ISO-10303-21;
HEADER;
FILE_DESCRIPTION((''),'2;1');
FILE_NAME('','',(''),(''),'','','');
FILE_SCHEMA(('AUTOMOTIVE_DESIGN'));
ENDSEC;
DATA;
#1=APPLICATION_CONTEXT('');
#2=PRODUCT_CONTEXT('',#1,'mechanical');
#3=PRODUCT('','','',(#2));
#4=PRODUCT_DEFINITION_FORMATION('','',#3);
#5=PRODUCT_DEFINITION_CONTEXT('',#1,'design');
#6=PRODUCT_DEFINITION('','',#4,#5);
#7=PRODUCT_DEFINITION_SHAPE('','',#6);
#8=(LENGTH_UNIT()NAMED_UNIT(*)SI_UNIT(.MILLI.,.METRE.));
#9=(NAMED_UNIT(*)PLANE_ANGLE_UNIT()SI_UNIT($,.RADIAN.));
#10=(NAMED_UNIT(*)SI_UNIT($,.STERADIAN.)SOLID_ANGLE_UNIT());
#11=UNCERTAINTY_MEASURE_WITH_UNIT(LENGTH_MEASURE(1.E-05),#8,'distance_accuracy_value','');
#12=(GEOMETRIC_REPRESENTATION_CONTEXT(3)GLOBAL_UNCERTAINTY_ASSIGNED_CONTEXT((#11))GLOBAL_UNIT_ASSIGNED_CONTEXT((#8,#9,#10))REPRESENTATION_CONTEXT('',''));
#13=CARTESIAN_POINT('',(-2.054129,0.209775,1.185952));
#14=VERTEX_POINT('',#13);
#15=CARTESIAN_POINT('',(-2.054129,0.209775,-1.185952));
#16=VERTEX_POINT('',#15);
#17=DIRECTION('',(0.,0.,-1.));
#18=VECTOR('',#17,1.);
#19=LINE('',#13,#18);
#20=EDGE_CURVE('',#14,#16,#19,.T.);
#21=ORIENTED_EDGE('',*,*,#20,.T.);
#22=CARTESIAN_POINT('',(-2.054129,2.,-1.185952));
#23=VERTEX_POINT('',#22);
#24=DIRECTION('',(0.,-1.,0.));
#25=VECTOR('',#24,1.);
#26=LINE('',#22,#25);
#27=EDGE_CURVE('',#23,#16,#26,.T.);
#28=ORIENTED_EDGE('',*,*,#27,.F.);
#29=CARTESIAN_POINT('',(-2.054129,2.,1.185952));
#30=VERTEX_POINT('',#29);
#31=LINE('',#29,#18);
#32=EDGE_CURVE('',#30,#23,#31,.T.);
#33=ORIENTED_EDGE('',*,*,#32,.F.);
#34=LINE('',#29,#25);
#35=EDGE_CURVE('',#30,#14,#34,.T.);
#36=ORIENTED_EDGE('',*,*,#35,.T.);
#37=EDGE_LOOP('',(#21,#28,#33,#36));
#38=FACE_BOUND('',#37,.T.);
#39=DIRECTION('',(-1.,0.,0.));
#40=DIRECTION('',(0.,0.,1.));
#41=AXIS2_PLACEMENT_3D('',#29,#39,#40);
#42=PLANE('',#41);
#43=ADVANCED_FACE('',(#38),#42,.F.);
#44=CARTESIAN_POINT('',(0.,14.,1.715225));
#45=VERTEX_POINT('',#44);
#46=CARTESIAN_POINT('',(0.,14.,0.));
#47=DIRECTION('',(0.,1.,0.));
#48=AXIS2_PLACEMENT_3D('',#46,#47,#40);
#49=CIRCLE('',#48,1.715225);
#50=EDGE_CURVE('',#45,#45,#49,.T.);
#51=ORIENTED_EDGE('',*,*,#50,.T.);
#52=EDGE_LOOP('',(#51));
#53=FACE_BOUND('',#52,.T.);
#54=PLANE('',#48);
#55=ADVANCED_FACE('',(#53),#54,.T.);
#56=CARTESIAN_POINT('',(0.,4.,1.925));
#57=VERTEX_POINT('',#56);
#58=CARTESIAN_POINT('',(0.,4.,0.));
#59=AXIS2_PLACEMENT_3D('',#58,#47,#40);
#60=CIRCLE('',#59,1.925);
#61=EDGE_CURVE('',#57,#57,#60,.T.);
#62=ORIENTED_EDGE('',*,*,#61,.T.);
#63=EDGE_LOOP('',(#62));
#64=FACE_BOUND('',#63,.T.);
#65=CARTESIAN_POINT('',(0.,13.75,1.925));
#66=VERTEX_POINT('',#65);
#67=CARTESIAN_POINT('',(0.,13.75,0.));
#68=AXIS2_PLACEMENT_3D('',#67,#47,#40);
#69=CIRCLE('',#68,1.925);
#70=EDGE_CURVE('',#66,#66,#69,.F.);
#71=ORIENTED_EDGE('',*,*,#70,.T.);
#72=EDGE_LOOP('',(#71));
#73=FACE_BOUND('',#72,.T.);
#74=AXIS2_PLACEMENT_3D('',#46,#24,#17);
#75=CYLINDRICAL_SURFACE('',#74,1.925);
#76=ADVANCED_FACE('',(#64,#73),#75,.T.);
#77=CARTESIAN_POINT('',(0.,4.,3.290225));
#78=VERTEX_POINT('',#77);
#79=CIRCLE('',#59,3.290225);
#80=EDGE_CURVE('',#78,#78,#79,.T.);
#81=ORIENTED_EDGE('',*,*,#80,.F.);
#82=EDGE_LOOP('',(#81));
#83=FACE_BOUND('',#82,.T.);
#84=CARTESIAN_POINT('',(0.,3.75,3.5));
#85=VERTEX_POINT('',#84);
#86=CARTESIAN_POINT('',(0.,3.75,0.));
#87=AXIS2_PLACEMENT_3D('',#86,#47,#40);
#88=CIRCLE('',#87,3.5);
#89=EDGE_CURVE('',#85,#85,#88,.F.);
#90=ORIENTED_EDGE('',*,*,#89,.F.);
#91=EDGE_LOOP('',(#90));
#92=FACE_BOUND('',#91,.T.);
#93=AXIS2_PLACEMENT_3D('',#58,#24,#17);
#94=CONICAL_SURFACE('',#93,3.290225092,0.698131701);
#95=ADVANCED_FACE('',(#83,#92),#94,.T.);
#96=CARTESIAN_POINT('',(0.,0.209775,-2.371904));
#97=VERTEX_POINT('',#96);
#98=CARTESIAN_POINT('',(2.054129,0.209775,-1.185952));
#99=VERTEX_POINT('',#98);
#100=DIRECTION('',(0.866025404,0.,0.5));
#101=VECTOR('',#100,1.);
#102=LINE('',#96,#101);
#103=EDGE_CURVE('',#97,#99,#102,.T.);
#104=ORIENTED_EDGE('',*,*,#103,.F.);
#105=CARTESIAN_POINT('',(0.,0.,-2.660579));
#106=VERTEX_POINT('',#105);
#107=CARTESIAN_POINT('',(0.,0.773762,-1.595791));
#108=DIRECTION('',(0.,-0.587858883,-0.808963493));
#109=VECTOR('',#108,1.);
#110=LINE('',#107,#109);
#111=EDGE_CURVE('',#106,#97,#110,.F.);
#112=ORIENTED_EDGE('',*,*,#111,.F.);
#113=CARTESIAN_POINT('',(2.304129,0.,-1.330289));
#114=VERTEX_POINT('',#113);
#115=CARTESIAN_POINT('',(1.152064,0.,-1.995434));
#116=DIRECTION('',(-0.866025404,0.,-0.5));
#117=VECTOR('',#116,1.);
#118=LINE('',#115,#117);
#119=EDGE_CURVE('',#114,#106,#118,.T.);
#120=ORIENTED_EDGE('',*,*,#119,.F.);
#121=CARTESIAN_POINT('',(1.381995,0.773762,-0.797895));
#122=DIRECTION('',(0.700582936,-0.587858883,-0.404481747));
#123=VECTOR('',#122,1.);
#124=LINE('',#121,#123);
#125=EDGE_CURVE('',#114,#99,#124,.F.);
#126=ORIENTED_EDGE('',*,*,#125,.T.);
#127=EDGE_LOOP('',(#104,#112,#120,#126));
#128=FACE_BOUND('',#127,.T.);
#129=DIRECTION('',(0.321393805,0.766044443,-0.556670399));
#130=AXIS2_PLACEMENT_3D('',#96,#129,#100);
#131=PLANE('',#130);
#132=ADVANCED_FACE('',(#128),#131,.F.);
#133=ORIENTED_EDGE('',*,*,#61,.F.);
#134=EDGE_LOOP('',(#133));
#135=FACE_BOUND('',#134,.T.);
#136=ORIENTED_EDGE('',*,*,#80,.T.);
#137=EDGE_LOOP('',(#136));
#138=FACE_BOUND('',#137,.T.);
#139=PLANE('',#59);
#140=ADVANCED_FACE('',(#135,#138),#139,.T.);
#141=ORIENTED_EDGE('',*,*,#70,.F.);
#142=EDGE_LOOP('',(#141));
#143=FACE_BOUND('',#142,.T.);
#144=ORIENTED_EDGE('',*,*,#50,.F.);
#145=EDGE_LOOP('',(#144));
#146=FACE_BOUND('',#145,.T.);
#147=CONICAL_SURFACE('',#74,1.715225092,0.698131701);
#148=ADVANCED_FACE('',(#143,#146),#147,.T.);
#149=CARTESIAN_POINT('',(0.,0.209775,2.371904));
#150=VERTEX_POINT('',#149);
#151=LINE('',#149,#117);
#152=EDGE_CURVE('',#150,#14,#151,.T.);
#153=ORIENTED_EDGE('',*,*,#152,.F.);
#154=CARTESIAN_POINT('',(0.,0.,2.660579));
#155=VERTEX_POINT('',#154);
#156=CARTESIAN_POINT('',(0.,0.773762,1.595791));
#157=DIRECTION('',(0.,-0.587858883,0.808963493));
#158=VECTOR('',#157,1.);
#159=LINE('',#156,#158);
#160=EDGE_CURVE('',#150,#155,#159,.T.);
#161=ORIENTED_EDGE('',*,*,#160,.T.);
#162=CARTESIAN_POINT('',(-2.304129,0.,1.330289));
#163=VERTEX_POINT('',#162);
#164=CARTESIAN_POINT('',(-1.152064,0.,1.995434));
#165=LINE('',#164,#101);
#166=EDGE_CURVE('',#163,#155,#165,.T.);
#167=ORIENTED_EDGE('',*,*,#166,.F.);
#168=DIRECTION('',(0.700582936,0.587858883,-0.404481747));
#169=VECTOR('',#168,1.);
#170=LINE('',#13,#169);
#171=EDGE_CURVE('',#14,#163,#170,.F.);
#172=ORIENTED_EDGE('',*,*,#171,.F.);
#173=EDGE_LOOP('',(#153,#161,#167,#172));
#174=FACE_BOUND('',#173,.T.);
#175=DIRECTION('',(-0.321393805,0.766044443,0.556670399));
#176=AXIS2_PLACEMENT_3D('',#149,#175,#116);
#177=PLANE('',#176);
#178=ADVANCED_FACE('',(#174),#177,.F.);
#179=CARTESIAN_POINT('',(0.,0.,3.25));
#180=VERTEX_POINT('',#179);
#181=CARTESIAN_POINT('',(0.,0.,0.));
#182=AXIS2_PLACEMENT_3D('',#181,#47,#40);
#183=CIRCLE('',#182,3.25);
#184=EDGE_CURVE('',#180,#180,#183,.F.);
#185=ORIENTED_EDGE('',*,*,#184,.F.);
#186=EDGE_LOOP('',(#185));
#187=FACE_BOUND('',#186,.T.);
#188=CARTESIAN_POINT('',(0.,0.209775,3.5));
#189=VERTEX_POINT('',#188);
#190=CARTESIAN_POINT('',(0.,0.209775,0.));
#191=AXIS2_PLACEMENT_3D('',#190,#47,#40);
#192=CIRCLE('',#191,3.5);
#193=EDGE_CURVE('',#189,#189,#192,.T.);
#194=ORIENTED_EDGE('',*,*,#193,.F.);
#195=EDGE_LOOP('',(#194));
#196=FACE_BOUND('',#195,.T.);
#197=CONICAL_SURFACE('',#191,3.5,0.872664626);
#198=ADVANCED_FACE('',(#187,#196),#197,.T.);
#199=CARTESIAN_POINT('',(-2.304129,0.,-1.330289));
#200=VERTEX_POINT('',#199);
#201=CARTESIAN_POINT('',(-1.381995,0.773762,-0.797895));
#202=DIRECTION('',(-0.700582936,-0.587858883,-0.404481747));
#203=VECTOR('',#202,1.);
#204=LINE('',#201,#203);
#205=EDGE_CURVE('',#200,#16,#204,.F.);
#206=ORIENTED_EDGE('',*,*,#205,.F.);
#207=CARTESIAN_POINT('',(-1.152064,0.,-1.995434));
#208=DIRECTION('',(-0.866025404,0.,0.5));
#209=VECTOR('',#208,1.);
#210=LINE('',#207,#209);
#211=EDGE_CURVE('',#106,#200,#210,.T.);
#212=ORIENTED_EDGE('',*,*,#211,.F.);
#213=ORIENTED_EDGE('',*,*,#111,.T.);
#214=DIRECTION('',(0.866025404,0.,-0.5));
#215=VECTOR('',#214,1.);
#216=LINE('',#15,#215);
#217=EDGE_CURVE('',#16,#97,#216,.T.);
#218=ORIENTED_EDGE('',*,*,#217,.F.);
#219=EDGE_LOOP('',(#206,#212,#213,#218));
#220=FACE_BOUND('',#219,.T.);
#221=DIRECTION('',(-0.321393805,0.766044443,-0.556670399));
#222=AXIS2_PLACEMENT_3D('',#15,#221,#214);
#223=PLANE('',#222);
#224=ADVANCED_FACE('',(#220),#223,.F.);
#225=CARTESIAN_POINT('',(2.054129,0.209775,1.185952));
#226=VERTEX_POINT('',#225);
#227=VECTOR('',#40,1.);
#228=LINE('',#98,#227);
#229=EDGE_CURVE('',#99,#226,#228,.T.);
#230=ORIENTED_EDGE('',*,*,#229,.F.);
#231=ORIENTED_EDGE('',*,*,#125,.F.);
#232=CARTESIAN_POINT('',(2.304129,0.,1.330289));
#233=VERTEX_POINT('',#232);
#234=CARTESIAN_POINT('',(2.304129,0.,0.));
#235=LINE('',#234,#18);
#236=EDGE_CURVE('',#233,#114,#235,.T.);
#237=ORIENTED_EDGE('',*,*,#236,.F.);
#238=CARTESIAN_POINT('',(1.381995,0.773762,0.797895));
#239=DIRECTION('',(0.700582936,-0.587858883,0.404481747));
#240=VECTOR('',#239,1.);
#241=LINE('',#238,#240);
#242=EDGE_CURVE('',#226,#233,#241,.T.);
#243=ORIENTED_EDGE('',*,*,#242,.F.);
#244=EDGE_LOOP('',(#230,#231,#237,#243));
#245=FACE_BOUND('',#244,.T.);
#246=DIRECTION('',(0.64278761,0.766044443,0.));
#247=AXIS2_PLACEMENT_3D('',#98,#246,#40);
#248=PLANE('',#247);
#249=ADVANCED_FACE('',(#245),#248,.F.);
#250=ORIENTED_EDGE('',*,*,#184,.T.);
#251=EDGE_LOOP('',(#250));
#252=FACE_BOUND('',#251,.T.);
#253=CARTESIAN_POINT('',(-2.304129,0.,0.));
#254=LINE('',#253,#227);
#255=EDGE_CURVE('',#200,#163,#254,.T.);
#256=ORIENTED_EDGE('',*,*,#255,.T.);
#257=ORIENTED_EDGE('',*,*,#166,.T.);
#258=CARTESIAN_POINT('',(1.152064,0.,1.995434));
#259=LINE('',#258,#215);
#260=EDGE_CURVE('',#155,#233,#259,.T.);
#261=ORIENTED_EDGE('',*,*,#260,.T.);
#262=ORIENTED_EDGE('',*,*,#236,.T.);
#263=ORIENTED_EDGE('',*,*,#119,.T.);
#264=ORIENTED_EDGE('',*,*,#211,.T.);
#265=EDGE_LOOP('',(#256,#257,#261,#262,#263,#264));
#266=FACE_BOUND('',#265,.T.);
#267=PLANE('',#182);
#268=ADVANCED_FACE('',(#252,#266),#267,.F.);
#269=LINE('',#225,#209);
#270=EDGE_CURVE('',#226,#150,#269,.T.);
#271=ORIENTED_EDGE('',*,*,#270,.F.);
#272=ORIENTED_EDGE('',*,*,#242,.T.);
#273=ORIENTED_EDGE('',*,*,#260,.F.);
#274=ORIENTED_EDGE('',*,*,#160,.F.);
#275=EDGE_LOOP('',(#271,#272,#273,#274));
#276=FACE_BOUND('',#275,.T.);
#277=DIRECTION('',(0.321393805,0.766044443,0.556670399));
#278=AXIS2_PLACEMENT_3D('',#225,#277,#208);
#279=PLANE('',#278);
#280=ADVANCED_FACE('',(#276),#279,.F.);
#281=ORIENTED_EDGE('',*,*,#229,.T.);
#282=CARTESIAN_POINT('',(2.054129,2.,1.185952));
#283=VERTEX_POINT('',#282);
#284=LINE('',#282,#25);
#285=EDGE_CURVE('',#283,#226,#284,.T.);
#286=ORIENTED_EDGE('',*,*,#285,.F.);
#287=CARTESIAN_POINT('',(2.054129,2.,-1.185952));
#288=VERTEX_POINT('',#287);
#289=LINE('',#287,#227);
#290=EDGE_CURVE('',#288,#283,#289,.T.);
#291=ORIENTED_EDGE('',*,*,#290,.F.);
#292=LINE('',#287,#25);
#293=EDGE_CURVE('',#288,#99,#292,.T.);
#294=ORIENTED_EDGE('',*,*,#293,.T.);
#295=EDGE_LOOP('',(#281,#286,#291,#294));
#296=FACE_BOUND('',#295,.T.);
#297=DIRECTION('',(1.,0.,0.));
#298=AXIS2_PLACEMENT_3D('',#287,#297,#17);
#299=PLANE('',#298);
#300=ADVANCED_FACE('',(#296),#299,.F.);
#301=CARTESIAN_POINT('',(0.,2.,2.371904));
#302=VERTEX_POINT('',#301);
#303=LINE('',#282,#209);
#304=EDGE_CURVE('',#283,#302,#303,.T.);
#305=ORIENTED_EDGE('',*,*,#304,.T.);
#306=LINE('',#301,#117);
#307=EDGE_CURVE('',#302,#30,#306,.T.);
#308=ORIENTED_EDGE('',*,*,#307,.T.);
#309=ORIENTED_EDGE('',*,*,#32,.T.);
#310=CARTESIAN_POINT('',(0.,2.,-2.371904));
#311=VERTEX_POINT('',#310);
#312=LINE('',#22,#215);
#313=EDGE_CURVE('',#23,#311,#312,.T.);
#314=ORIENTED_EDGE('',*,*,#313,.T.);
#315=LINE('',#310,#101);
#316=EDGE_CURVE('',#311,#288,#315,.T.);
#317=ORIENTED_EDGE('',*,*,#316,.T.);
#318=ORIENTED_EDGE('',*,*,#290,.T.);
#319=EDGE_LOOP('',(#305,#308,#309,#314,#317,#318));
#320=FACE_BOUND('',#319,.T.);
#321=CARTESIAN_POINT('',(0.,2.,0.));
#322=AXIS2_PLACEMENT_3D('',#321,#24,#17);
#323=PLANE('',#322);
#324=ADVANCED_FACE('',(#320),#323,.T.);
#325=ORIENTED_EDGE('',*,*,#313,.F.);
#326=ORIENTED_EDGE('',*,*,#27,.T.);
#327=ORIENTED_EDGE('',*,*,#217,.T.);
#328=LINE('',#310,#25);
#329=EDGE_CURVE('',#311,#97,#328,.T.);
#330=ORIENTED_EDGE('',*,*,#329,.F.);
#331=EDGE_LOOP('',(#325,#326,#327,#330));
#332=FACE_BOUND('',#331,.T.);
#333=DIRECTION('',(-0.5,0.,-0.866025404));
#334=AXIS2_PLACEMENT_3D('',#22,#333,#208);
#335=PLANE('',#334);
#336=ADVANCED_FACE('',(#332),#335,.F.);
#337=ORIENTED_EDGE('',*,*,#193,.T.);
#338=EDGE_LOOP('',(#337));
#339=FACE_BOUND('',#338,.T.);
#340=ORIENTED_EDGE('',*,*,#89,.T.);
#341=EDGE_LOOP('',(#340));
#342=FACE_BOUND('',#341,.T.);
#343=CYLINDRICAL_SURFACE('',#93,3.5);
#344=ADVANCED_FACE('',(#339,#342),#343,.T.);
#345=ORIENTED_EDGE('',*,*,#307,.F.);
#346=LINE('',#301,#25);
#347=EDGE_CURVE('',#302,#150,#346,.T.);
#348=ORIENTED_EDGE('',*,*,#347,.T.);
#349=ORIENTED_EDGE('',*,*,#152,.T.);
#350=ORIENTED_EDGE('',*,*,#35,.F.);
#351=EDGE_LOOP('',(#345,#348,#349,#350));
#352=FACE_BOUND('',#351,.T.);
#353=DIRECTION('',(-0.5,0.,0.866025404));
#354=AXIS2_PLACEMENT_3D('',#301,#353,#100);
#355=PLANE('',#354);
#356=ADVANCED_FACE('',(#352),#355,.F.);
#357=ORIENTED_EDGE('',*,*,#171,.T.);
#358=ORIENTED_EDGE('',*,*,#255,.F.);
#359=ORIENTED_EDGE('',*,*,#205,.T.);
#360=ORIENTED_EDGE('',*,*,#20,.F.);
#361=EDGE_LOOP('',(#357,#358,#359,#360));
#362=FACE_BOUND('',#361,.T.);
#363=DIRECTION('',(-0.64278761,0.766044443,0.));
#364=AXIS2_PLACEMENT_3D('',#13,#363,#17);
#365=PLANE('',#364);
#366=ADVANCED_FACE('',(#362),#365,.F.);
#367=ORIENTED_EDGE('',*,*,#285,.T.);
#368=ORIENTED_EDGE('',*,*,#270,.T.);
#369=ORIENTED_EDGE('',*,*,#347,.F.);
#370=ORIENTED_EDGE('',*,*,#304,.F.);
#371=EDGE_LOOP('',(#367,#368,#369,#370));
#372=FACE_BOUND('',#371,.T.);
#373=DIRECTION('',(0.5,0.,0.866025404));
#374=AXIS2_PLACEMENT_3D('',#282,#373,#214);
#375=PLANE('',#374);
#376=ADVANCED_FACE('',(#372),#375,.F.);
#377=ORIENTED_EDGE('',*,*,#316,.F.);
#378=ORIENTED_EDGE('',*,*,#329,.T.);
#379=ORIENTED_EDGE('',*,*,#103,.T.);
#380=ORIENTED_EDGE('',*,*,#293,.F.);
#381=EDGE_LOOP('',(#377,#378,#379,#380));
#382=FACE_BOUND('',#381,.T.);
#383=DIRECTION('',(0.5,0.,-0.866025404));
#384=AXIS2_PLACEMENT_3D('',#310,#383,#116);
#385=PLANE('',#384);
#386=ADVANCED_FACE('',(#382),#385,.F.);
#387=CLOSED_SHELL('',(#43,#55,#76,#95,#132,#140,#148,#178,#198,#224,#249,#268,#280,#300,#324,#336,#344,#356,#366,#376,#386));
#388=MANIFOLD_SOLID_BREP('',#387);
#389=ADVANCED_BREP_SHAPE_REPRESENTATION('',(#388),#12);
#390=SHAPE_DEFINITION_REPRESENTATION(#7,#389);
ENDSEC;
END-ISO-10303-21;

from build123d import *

# Parameters (mm, degrees)
SKETCH1_R             = 3.5
BOSS_EXTRUDE1_DEPTH   = 4
SKETCH2_R             = 1.925
BOSS_EXTRUDE2_DEPTH   = 10
CUT_EXTRUDE1_DEPTH    = 2
CHAMFER1_SIZE         = 0.25
CHAMFER1_SIZE2        = 0.209774908
CHAMFER1_PART_2_SIZE  = 0.25
CHAMFER1_PART_2_SIZE2 = 0.209774908
CHAMFER1_PART_3_SIZE  = 0.25
CHAMFER1_PART_3_SIZE2 = 0.209774908


with BuildPart() as part:
    # Sketch1 → Boss-Extrude1 (new body)
    with BuildSketch(Plane(origin=(0, 0, 0), x_dir=(1, 0, 0), z_dir=(0, 1, 0))):
        Circle(SKETCH1_R)
    extrude(amount=BOSS_EXTRUDE1_DEPTH)

    # Sketch2 → Boss-Extrude2 (add)
    with BuildSketch(Plane(origin=(0, 4, 0), x_dir=(1, 0, 0), z_dir=(0, 1, 0))):
        Circle(SKETCH2_R)
    extrude(amount=BOSS_EXTRUDE2_DEPTH)

    # Sketch3 → Cut-Extrude1 (cut)
    with BuildSketch(Plane.XZ):
        Polygon((0, 2.37190351), (-2.054128695, 1.185951755), (-2.054128695, -1.185951755), (0, -2.37190351), (2.054128695, -1.185951755), (2.054128695, 1.185951755), align=None)
    extrude(amount=-CUT_EXTRUDE1_DEPTH, mode=Mode.SUBTRACT)

    # Chamfer1
    chamfer1_edges = [part.edges().sort_by_distance(p)[0] for p in [
        (1.027064348, 0, 1.778927633),
        (-1.027064348, 0, 1.778927633),
        (-2.054128695, 0, 0),
        (-1.027064348, 0, -1.778927633),
        (1.027064348, 0, -1.778927633),
        (2.054128695, 0, 0),
        (-3.5, 0, 0),
    ]]
    chamfer1_side = [part.faces().sort_by_distance(p)[0] for p in [
        (-3.401005051, 0, 0),
    ]]
    chamfer(chamfer1_edges, length=CHAMFER1_SIZE, length2=CHAMFER1_SIZE2, reference=chamfer1_side[0])

    # Chamfer1 part 2
    chamfer1_part_2_edges = [part.edges().sort_by_distance(p)[0] for p in [
        (-3.5, 4, 0),
    ]]
    chamfer1_part_2_side = [part.faces().sort_by_distance(p)[0] for p in [
        (-3.5, 2, 0),
    ]]
    chamfer(chamfer1_part_2_edges, length=CHAMFER1_PART_2_SIZE, length2=CHAMFER1_PART_2_SIZE2, reference=chamfer1_part_2_side[0])

    # Chamfer1 part 3
    chamfer1_part_3_edges = [part.edges().sort_by_distance(p)[0] for p in [
        (-1.925, 14, 0),
    ]]
    chamfer1_part_3_side = [part.faces().sort_by_distance(p)[0] for p in [
        (-1.925, 9, 0),
    ]]
    chamfer(chamfer1_part_3_edges, length=CHAMFER1_PART_3_SIZE, length2=CHAMFER1_PART_3_SIZE2, reference=chamfer1_part_3_side[0])


solid = part.part
